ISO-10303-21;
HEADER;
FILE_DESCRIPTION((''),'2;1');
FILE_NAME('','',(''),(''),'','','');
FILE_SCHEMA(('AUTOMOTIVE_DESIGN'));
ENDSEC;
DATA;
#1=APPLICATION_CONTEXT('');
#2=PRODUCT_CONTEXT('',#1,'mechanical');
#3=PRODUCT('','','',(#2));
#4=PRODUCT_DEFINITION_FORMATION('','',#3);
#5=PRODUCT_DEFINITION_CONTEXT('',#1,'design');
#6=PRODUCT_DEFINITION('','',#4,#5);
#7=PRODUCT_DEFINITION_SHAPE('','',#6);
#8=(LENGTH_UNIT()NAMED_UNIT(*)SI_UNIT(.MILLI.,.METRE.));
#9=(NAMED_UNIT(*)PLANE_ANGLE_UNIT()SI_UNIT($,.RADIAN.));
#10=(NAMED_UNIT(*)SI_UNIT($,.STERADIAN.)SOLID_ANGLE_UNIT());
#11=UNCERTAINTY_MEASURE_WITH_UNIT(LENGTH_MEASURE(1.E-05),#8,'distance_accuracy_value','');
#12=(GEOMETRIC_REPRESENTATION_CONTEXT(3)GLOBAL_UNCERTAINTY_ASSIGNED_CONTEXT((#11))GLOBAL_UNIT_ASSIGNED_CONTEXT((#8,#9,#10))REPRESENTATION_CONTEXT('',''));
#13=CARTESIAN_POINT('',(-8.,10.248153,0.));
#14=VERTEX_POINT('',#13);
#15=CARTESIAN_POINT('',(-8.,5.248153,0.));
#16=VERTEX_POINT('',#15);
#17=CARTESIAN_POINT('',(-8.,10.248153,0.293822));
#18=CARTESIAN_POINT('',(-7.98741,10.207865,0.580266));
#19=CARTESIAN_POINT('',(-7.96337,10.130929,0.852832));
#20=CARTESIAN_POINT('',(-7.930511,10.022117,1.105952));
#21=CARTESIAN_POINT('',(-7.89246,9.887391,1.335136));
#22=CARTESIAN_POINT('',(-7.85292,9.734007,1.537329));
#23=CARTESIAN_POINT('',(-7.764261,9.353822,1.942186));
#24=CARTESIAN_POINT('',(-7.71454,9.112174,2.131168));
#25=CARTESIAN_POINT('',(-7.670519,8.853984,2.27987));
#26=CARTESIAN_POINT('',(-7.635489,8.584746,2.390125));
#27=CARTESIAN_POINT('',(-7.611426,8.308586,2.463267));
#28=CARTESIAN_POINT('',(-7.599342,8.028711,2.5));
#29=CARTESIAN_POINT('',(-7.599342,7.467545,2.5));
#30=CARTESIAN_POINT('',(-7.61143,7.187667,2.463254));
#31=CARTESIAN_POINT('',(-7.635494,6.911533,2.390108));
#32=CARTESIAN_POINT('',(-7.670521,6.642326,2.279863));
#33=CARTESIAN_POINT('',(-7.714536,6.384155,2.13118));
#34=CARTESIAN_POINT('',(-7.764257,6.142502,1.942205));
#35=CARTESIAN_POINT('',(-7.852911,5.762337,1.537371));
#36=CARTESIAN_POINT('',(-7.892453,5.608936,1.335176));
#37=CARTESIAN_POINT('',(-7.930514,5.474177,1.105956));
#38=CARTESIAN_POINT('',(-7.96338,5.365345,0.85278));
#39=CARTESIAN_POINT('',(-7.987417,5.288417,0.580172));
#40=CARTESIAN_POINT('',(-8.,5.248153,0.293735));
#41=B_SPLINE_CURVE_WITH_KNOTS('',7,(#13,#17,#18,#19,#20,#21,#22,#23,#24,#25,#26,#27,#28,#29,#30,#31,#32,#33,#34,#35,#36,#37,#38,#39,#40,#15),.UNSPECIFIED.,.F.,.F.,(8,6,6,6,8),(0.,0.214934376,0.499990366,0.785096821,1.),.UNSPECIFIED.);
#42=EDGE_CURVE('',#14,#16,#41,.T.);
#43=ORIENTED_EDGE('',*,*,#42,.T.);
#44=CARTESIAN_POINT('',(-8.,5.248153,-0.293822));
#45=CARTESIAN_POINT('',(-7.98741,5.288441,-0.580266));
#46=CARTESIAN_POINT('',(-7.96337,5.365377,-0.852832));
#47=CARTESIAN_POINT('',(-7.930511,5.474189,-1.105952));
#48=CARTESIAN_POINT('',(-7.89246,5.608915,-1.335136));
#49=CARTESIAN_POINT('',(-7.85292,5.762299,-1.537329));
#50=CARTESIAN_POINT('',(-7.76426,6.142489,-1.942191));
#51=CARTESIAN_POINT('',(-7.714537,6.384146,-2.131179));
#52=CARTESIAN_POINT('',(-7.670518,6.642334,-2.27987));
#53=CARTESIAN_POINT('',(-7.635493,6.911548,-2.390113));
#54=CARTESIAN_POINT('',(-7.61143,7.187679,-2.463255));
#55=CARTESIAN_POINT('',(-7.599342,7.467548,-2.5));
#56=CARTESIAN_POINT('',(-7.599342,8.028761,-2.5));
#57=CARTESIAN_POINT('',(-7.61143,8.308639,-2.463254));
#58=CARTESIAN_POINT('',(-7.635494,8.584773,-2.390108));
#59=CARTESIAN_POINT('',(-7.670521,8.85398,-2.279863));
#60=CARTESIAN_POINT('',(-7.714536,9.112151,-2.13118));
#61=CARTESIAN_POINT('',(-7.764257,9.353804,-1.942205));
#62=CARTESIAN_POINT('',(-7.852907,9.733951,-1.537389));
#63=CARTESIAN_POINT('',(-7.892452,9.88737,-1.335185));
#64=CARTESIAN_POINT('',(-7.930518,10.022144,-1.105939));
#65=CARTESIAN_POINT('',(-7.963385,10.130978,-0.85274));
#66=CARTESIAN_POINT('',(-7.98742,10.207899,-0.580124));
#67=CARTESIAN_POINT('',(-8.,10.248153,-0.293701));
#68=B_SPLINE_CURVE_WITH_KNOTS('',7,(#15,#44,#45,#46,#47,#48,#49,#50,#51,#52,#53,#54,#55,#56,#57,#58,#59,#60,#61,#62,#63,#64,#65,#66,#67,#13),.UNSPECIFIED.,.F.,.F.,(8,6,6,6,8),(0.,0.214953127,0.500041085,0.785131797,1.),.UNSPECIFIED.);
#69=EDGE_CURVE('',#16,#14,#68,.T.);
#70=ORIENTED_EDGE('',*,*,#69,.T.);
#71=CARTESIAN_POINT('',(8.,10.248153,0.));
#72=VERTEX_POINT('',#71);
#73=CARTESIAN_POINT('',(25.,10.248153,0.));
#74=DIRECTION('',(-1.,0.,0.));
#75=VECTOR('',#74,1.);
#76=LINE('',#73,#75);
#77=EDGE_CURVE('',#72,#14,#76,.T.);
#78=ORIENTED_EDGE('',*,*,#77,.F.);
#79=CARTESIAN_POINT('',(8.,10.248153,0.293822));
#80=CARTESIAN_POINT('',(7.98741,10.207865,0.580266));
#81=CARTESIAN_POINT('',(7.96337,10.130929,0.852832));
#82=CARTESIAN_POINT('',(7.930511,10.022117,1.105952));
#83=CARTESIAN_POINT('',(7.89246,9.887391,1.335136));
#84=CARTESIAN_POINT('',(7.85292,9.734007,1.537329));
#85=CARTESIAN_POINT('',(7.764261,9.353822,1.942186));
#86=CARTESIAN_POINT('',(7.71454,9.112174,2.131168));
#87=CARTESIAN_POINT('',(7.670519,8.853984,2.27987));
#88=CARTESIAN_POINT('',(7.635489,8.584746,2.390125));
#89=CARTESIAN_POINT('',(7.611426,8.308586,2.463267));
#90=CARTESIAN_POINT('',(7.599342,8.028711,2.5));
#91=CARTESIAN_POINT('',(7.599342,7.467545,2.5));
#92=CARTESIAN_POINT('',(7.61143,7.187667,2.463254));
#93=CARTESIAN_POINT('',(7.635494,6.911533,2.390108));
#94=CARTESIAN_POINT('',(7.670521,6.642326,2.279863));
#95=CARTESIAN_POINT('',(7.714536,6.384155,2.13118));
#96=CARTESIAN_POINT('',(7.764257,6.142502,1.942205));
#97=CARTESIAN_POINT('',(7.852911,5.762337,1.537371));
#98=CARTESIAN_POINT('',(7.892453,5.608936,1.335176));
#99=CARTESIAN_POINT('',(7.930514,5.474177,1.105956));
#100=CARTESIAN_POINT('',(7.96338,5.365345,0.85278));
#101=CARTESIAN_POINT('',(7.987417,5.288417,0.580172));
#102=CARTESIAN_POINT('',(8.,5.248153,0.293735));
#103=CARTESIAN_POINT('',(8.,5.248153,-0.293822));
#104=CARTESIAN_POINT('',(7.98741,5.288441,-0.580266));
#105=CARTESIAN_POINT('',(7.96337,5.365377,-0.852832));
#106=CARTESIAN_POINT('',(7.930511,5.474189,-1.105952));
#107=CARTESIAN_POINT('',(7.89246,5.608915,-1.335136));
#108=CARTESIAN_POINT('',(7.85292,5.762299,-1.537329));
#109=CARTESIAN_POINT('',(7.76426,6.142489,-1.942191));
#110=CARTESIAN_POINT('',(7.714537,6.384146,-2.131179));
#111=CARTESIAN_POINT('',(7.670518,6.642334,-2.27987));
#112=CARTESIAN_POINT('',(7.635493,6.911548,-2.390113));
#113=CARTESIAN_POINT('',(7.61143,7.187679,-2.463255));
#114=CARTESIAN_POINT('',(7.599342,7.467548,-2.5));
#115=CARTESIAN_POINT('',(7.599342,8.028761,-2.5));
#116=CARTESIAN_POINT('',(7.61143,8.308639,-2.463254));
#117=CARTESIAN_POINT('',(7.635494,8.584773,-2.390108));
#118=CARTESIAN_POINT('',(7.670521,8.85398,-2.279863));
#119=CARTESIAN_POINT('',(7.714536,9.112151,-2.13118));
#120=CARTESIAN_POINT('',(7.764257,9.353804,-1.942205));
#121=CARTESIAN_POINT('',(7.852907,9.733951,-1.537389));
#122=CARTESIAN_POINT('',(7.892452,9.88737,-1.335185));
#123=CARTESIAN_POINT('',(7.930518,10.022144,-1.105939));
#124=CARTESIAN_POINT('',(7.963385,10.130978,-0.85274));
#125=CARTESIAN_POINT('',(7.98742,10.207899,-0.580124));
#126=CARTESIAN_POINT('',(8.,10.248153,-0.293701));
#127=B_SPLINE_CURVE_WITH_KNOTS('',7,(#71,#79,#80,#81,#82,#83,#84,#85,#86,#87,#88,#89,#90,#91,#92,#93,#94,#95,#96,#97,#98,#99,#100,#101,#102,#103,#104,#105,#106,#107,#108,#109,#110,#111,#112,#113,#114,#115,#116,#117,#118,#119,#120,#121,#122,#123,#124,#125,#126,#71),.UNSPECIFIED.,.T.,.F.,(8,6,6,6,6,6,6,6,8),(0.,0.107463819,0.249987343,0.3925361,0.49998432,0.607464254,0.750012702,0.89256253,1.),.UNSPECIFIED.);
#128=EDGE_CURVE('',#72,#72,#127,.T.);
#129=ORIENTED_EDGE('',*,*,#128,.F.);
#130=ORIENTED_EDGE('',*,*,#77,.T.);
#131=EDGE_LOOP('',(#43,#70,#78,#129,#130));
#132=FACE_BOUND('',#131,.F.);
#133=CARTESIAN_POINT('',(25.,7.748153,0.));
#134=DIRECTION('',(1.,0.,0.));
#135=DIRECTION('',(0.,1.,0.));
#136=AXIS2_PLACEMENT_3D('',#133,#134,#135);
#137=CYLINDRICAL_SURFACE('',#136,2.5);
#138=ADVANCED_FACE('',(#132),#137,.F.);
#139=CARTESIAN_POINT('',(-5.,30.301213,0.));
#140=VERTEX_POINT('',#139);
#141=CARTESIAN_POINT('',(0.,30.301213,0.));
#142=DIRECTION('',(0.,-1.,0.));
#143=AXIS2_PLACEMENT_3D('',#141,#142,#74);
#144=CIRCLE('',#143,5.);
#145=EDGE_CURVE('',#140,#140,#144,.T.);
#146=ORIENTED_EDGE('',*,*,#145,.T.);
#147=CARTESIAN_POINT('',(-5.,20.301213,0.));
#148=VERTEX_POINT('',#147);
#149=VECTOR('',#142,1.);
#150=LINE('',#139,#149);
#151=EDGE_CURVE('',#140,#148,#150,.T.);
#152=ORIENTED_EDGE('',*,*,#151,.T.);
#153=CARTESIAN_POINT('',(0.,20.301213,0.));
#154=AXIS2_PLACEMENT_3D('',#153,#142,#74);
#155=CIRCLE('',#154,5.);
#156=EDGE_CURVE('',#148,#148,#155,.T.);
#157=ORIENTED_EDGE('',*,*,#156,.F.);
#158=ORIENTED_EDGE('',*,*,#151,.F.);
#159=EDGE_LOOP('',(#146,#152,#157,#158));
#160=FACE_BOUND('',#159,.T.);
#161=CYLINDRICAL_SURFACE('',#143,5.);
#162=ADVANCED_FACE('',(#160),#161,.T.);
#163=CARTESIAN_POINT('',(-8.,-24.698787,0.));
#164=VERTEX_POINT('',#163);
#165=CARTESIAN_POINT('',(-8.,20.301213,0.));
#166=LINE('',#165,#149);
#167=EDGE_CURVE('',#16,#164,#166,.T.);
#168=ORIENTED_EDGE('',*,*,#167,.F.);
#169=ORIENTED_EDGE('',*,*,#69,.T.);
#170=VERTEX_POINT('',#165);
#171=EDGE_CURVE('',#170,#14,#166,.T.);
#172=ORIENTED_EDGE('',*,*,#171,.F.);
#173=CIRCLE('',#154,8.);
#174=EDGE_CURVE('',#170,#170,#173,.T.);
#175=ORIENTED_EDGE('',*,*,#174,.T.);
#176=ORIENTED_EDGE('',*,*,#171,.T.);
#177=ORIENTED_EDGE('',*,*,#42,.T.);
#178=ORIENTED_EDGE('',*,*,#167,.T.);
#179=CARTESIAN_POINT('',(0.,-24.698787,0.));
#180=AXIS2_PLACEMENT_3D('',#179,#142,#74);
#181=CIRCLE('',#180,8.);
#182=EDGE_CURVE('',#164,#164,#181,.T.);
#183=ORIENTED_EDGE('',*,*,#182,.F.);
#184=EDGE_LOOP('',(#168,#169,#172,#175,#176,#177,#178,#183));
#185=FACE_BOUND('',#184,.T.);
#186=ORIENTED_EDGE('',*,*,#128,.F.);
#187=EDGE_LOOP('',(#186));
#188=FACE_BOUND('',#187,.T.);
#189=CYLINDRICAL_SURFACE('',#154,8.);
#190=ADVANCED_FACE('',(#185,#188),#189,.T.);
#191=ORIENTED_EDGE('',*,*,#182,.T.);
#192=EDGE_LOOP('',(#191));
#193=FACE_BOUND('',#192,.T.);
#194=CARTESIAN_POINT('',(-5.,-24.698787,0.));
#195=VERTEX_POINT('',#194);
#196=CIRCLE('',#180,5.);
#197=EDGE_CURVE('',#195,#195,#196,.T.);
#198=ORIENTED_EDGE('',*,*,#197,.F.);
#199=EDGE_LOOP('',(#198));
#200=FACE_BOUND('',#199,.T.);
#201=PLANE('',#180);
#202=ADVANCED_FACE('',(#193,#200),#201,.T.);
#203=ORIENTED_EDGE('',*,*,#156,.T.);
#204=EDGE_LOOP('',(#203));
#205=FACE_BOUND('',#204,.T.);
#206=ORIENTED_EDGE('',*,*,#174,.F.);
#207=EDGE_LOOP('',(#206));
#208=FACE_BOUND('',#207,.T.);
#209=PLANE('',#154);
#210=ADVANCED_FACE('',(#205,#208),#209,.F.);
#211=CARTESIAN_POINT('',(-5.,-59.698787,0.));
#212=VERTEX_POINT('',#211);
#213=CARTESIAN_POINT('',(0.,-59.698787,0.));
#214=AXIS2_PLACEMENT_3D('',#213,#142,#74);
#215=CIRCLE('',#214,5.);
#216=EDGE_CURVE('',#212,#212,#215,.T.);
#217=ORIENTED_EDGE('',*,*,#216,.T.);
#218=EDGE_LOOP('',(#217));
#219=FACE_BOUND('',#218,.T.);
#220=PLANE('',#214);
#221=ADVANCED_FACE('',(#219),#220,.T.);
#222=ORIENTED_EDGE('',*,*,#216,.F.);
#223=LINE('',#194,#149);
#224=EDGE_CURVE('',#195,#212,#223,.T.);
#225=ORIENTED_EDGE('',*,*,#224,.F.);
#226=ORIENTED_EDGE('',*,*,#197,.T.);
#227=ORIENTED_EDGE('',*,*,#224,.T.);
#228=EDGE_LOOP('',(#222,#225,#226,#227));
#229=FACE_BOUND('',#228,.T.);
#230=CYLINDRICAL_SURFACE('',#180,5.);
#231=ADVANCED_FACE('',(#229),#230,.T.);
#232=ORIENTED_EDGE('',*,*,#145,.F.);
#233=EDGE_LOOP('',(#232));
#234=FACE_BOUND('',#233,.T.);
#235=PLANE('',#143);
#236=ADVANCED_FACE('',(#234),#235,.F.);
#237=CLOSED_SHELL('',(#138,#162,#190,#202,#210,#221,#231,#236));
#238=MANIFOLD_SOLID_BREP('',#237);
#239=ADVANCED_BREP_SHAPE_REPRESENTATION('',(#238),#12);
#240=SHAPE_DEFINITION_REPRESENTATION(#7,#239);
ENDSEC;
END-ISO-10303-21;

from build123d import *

# Parameters (mm, degrees)
F3_R     = 2.5
F4_DEPTH = 45


with BuildPart() as f1:
    # F0 (on Top) → F1 (revolve)
    with BuildSketch(Plane.XY):
        Polygon((0, -59.698787), (0, 30.301213), (-5, 30.301213), (-5, 20.301213), (-8, 20.301213), (-8, -24.698787), (-5, -24.698787), (-5, -59.698787), align=None)
    revolve(axis=Axis((0, -14.698787, 0), (0, -1, 0)))

    # F3 (on offset) → F4 (cut)
    with BuildSketch(Plane.YZ.offset(25)):
        with Locations((7.748153, 0)):
            Circle(F3_R)
    extrude(amount=-F4_DEPTH, mode=Mode.SUBTRACT)


solid = f1.part
